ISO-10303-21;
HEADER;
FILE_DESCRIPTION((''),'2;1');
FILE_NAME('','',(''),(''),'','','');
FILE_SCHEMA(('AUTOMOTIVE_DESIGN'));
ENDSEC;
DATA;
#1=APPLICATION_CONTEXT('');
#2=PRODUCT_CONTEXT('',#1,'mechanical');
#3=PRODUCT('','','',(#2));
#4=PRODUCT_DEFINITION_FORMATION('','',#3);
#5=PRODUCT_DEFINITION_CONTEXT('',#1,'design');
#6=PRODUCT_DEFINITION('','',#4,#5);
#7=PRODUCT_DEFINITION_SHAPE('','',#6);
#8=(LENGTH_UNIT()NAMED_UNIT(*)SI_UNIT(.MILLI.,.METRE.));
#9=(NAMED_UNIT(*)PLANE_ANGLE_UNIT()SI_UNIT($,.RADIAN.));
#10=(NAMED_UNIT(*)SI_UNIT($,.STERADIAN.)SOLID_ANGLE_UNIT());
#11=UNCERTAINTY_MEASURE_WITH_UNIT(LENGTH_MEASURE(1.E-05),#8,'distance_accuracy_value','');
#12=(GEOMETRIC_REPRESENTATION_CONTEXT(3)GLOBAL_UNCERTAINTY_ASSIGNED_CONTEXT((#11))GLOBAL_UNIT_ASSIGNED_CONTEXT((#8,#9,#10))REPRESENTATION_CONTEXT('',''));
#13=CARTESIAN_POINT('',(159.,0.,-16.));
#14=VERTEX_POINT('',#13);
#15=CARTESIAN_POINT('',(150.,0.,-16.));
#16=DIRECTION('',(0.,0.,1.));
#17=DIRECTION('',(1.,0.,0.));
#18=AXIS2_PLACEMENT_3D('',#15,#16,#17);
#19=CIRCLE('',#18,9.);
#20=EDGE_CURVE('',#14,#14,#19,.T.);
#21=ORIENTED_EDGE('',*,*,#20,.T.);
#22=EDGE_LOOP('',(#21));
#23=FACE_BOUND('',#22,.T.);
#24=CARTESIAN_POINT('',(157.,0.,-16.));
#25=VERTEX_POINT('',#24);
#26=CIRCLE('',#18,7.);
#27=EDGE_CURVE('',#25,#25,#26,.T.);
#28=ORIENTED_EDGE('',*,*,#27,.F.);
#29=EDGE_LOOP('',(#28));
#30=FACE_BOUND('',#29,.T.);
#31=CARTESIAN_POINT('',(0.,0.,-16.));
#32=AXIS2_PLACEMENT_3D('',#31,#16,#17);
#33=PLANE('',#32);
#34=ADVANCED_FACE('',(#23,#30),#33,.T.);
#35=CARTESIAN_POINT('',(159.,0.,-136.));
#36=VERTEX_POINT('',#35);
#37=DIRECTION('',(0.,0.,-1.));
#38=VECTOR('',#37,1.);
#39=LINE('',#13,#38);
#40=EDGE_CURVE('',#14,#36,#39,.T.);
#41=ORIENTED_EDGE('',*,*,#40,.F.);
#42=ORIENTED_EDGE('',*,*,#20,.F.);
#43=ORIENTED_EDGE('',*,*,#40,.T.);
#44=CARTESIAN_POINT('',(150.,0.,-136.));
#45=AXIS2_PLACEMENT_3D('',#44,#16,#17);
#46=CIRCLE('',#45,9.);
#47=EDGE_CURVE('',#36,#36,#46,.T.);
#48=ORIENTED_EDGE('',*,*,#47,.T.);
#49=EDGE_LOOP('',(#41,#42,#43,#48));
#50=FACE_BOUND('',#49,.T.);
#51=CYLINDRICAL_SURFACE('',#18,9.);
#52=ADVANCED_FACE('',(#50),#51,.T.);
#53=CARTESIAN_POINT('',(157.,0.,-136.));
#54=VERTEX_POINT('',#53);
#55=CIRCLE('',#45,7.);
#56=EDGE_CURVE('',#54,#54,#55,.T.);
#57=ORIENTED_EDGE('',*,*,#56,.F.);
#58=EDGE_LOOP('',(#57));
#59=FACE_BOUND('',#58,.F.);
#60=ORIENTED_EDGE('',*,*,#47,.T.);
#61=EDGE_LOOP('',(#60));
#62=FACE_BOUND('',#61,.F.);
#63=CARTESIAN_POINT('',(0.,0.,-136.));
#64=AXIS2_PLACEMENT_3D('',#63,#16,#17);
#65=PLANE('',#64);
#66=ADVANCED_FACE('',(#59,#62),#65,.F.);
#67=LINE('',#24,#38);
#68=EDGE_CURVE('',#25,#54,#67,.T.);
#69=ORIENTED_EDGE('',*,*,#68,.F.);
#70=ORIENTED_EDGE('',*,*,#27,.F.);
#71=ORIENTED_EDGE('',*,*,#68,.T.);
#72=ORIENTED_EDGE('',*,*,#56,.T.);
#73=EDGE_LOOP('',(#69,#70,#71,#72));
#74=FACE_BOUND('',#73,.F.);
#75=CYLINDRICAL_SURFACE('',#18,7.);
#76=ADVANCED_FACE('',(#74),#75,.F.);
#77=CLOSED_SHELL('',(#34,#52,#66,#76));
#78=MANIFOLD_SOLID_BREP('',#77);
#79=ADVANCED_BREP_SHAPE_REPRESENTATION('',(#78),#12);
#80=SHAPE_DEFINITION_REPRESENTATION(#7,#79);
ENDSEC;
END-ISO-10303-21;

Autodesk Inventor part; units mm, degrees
ref_plane "YZ Plane" through (0, 0, 0) normal (1, 0, 0) x (0, 1, 0)
ref_plane "XZ Plane" through (0, 0, 0) normal (0, 1, 0) x (-1, 0, 0)
ref_plane "Płaszczyzna konstrukcyjna1" through (0, 0, -16) normal (0, 0, 1) x (1, 0, 0)
sketch "Szkic1" plane through (0, 0, -16) normal (0, 0, 1) x (1, 0, 0)
  circle A0 centre (150, 0) radius 9
  point P0 (0, 0)
  dimension "d1" = 18
  dimension "d2" = 150
extrude "Wyciągnięcie proste1" add sketch "Szkic1" against normal blind 120
shell "Skorupa2" thickness 2 removed faces 2 at (149.6384, 2.632, -16) at (149.6384, 2.632, -136)
properties part number "Rura_pionowa_do_kol_tylnych" material "Aluminium AW-7020"
